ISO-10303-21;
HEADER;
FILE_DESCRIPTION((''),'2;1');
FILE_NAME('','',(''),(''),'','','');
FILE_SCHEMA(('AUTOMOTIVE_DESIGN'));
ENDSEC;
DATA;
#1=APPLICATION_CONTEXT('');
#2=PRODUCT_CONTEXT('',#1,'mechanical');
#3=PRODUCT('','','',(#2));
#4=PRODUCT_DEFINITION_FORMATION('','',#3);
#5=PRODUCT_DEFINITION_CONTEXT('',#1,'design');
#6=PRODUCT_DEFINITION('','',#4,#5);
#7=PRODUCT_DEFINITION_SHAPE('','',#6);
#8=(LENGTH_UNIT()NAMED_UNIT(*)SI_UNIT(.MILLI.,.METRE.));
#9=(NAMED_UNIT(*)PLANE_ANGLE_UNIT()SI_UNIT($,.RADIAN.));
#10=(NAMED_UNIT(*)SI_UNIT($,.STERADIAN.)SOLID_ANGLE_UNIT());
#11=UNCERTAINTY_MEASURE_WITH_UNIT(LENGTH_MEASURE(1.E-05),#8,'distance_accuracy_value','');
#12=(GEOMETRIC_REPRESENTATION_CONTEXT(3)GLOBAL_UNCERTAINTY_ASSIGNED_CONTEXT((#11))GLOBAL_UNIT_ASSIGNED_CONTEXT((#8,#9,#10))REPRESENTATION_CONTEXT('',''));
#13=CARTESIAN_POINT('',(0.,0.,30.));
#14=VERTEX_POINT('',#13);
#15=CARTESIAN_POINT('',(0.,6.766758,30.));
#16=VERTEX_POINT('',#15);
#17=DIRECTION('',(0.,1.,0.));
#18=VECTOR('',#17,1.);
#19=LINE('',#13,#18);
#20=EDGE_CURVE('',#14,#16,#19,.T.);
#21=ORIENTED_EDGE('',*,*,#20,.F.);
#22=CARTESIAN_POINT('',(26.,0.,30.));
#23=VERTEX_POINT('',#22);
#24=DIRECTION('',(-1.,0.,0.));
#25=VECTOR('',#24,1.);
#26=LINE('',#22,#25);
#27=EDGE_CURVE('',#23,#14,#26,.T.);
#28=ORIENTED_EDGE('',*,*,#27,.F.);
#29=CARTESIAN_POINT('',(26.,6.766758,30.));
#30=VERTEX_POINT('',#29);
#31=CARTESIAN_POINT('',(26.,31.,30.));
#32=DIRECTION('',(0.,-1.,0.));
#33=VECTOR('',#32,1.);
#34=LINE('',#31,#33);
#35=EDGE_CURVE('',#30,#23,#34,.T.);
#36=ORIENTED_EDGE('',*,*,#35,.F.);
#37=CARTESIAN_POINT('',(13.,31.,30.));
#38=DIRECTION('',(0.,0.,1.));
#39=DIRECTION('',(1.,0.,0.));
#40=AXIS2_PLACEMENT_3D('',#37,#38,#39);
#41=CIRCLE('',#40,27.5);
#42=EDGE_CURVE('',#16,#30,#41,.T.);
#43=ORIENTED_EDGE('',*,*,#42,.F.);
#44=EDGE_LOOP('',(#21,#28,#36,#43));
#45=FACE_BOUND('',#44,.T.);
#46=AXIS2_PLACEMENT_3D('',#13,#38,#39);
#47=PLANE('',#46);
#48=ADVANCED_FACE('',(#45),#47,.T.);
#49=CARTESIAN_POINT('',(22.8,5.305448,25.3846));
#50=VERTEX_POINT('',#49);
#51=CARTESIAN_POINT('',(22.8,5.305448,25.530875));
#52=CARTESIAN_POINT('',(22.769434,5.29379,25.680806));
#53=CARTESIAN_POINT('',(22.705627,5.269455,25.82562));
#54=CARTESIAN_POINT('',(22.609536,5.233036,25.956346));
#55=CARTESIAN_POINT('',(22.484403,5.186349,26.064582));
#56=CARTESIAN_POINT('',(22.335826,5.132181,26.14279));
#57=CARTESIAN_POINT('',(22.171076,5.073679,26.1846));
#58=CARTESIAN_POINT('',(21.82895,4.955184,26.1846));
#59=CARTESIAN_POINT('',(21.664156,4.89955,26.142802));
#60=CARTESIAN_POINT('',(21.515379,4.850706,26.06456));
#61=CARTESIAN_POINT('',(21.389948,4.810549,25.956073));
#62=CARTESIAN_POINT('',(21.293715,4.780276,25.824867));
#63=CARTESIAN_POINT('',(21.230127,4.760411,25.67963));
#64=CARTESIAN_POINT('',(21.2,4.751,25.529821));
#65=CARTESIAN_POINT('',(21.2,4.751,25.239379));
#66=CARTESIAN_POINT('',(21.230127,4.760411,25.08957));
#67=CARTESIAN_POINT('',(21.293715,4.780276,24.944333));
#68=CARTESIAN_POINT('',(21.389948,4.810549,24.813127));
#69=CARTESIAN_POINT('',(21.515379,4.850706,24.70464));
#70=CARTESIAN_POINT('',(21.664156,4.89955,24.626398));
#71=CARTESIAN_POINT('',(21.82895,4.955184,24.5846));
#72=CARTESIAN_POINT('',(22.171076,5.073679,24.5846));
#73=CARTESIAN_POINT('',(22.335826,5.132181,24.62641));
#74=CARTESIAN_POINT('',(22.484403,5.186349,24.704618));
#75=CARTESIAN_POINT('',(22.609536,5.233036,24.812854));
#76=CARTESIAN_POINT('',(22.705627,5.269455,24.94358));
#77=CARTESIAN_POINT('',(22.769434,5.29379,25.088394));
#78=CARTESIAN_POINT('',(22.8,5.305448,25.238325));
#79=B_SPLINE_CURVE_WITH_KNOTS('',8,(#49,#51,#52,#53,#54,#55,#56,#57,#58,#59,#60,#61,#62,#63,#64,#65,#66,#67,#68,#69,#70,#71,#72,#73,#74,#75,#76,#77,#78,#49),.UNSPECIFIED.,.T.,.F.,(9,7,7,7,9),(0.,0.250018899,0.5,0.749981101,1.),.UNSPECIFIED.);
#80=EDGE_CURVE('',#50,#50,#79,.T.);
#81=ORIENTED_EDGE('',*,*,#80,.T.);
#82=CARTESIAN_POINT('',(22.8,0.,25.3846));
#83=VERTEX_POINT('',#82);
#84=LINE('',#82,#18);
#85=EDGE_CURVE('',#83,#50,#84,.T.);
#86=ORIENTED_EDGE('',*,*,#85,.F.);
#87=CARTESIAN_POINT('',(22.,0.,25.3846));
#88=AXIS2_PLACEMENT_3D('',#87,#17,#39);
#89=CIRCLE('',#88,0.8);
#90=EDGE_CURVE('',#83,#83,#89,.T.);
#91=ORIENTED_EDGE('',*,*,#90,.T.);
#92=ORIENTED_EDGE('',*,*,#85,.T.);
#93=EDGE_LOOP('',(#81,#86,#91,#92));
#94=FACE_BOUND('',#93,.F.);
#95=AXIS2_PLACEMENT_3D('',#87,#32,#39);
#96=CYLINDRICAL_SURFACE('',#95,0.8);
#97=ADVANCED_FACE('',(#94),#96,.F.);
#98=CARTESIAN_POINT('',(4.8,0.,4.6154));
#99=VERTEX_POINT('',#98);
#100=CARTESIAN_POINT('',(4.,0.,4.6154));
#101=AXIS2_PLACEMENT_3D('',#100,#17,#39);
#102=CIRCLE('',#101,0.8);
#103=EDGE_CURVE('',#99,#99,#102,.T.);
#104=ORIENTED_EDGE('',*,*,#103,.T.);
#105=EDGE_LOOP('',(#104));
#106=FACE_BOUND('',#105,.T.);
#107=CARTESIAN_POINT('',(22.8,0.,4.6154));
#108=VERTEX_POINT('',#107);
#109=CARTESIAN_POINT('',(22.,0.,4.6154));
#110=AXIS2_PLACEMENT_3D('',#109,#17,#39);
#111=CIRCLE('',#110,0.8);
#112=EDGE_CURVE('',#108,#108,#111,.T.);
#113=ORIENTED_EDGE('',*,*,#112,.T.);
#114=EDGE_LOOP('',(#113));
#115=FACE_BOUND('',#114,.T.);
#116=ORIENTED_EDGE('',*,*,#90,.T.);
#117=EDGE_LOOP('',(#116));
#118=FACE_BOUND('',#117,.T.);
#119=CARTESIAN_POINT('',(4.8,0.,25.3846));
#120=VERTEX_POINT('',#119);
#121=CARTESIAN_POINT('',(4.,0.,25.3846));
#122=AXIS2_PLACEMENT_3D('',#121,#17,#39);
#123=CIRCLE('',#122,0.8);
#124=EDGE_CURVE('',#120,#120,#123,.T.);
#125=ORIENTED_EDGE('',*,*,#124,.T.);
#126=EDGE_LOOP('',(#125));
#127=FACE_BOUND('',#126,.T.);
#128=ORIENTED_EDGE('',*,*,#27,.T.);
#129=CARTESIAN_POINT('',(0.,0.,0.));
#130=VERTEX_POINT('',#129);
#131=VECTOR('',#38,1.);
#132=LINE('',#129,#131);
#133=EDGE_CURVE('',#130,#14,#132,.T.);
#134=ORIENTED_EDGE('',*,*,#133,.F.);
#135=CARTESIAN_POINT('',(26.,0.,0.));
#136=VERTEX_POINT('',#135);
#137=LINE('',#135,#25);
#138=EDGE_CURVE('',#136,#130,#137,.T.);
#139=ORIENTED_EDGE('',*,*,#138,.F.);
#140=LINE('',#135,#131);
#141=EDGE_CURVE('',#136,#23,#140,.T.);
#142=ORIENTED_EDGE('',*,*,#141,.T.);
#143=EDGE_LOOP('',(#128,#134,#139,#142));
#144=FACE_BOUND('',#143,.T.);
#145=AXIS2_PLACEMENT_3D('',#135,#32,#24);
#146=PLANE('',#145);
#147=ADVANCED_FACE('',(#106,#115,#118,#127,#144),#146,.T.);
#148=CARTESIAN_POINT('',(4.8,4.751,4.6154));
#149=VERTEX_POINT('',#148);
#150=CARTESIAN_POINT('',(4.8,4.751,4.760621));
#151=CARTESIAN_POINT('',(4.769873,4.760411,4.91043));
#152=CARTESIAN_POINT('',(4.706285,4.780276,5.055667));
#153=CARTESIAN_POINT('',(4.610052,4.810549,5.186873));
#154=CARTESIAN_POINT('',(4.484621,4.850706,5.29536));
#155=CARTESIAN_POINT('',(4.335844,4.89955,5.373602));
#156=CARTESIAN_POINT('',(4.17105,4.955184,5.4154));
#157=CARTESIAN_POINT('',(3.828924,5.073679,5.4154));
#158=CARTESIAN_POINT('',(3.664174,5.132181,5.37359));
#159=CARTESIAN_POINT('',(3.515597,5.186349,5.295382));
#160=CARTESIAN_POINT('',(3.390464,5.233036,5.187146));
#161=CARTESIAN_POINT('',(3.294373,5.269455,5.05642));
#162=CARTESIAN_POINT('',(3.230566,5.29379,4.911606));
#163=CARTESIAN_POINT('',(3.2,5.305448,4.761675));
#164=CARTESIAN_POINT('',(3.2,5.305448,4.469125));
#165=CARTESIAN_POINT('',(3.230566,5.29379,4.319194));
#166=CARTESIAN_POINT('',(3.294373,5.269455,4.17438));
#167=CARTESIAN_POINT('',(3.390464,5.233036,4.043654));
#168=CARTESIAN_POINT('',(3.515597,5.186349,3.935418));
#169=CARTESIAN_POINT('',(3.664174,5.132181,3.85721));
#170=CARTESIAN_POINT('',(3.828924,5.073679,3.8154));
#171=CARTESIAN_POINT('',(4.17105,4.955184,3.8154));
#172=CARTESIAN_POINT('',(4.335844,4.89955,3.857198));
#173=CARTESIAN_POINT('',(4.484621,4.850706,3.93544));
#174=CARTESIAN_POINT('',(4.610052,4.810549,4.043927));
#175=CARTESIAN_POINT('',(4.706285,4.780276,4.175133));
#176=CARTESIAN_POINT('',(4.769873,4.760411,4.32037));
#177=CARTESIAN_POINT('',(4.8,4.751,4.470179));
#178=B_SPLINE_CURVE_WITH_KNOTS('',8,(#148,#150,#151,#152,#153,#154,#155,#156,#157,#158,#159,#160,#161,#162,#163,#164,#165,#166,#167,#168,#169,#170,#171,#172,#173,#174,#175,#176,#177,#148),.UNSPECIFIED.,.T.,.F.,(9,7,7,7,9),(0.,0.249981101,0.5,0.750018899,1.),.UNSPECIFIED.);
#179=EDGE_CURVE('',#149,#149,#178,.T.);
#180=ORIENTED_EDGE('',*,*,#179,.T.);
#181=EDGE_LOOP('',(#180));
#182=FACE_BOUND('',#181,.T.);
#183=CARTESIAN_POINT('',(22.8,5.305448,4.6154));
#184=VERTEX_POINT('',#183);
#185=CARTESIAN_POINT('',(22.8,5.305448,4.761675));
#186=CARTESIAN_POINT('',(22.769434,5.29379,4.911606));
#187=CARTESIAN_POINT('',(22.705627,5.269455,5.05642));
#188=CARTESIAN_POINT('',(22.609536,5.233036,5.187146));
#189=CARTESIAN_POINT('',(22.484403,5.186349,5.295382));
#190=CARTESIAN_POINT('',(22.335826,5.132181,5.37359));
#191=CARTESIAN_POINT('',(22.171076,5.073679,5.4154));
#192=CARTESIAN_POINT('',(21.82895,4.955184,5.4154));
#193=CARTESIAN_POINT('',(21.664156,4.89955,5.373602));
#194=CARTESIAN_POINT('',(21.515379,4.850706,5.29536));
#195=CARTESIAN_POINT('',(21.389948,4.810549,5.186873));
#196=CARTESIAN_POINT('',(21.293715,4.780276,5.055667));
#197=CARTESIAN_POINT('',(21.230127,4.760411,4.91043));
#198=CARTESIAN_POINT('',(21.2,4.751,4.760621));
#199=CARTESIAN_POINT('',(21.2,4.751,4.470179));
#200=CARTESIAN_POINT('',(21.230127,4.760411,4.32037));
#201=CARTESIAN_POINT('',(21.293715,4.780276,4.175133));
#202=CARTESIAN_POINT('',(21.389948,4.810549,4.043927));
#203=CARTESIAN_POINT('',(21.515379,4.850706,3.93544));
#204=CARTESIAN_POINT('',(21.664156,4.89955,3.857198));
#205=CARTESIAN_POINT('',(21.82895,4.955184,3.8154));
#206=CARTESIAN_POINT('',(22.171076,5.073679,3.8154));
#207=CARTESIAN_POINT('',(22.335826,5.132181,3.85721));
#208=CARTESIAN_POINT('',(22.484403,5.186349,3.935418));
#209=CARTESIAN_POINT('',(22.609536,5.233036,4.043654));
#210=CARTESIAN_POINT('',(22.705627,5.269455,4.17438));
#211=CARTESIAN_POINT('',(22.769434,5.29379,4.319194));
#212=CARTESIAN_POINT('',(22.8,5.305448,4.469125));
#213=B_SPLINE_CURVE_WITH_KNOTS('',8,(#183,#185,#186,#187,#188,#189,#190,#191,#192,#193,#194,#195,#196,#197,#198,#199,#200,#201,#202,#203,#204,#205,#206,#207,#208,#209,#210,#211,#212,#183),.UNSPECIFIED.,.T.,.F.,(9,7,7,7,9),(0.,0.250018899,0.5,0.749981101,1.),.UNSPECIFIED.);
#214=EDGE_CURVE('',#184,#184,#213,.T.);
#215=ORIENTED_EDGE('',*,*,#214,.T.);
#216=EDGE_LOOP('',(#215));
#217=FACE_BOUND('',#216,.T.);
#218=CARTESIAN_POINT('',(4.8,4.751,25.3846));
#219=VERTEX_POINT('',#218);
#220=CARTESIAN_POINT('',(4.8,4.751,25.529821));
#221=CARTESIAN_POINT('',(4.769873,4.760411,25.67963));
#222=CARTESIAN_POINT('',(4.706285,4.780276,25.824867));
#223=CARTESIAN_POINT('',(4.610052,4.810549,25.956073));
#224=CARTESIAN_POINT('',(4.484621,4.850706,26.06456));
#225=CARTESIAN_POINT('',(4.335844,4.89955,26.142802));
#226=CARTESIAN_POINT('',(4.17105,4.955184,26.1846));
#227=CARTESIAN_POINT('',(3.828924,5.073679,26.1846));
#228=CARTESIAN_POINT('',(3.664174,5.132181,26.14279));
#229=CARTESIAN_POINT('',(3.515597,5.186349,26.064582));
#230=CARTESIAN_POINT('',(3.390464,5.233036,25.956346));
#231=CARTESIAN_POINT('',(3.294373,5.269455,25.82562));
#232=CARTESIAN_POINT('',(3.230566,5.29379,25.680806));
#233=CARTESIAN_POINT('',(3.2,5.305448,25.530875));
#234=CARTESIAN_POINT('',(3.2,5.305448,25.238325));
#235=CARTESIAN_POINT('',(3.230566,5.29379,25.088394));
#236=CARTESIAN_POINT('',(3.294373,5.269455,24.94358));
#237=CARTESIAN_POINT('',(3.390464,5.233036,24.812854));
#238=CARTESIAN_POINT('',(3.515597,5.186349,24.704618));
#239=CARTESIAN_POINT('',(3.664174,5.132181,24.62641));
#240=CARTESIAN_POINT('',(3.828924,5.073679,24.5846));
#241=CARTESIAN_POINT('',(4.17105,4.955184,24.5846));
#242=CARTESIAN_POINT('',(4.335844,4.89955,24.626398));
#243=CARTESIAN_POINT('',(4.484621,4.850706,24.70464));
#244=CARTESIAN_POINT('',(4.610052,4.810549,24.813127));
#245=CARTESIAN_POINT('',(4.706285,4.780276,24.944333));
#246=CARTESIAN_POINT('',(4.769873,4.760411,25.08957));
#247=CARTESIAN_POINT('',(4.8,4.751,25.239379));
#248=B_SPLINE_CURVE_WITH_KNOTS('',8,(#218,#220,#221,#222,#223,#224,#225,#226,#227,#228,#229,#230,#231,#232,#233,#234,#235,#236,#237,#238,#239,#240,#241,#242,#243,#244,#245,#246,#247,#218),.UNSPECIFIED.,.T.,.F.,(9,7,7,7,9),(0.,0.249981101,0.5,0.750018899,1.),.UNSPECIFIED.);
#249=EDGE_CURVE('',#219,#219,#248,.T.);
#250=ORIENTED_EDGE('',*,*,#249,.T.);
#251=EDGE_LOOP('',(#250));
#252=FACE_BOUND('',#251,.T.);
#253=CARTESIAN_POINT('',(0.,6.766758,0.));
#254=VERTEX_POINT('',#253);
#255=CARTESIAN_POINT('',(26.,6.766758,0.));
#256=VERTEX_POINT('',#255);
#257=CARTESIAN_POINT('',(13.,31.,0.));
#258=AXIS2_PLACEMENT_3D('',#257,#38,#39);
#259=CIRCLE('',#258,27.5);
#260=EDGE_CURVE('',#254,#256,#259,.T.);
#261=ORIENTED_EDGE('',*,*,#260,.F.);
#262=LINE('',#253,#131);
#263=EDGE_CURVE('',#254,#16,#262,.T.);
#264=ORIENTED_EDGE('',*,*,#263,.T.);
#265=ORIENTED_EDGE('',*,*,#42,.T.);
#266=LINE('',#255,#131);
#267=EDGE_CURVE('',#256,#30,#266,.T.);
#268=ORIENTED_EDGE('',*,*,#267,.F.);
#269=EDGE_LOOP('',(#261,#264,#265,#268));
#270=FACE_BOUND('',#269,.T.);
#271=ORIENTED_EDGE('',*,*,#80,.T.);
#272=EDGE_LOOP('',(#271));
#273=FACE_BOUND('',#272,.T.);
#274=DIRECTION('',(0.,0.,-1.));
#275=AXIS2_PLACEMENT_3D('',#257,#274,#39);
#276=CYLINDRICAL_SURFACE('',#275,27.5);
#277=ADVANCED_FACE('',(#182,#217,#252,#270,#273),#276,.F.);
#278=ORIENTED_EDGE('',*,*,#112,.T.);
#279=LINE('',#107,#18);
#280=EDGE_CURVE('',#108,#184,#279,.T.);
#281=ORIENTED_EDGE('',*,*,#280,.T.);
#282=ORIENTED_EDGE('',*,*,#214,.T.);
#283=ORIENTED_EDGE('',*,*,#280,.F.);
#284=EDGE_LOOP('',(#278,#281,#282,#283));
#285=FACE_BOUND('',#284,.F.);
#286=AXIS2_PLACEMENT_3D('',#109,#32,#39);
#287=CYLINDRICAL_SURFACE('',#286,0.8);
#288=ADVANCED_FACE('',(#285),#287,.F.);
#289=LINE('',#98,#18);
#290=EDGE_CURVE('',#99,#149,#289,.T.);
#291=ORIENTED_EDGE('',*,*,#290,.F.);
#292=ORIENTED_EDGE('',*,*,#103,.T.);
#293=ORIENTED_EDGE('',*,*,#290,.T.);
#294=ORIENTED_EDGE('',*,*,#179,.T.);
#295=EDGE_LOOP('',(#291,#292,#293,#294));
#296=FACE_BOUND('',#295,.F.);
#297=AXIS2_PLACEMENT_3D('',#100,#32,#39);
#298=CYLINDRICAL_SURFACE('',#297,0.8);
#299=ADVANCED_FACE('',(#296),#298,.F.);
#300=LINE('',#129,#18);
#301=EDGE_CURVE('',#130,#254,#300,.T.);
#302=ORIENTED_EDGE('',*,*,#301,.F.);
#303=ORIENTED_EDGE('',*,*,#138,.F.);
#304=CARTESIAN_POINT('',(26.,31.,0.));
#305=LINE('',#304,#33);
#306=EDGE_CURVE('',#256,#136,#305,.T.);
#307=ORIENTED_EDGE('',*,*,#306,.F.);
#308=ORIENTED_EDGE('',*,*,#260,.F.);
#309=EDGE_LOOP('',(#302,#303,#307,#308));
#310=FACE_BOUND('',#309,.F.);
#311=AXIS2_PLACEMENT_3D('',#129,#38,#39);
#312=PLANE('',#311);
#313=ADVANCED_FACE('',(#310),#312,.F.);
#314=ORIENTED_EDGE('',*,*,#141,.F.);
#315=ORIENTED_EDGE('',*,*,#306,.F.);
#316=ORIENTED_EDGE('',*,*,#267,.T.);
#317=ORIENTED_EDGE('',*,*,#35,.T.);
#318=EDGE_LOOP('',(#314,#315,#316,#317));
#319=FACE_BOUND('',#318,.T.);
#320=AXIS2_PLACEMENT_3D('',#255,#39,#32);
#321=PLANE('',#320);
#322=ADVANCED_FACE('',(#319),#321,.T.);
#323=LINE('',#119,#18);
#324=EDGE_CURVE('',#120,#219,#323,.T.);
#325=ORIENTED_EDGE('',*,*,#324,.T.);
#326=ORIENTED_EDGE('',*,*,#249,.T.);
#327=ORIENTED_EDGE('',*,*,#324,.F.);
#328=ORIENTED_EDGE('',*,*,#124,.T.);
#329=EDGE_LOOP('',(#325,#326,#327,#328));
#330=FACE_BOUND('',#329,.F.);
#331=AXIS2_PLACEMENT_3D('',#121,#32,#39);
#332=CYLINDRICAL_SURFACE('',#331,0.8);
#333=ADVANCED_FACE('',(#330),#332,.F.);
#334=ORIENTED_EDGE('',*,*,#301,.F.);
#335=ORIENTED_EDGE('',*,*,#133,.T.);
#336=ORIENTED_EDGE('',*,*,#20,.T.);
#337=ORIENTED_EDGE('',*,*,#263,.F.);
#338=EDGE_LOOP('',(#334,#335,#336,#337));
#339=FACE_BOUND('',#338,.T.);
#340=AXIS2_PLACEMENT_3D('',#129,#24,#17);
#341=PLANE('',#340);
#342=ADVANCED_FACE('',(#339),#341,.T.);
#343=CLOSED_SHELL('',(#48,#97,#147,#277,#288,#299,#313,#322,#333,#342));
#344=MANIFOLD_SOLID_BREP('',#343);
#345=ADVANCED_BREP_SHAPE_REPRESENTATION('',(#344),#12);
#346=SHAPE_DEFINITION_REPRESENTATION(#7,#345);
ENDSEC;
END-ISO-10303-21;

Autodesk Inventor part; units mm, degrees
ref_plane "YZ Plane" through (0, 0, 0) normal (1, 0, 0) x (0, 1, 0)
ref_plane "XZ Plane" through (0, 0, 0) normal (0, 1, 0) x (-1, 0, 0)
ref_plane "XY Plane" through (0, 0, 0) normal (0, 0, 1) x (1, 0, 0)
sketch "スケッチ1" plane through (0, 0, 0) normal (0, 0, 1) x (1, 0, 0)
  line L0 (0, 31) -> (26, 31)
  line L1 (26, 31) -> (26, 0)
  line L2 (26, 0) -> (0, 0)
  line L3 (0, 0) -> (0, 31)
  circle A0 centre (13, 31) radius 27.5
  point P0 (26, 6.7668)
  point P1 (0, 6.7668)
  dimension "d0" = 55
  dimension "d1" = 31
  dimension "d3" = 26
extrude "押し出し1" add sketch "スケッチ1" along normal blind 30 contours A0 L1 L2 L3
sketch "スケッチ2" plane through (0, 0, 0) normal (0, -1, 0) x (1, 0, 0)
  line L0 (26, 0) -> (0, 30)
  line L1 (0, 0) -> (26, 30)
  line L2 (22, 4.6154) -> (4, 4.6154)
  line L3 (4, 4.6154) -> (4, 25.3846)
  line L4 (4, 25.3846) -> (22, 25.3846)
  line L5 (22, 25.3846) -> (22, 4.6154)
  line L6 (26, 0) -> (26, 30) projected
  line L7 (26, 0) -> (0, 0) projected
  line L8 (0, 0) -> (0, 32) projected
  circle A0 centre (22, 4.6154) radius 0.8
  circle A1 centre (4, 4.6154) radius 0.8
  circle A2 centre (4, 25.3846) radius 0.8
  circle A3 centre (22, 25.3846) radius 0.8
  dimension "d6" = 4
  dimension "d7" = 1.6
  dimension "d8" = 1.6
  dimension "d9" = 1.6
  dimension "d10" = 1.6
extrude "押し出し2" cut sketch "スケッチ2" against normal through all contours A0 L2 L0 | L0 L5 A0 | L2 A0 L0 | L0 A0 L5 | A3 L5 L1 | L1 L4 A3 | A1 L3 L1 | L1 L2 A1 | L2 L1 A1 | L5 A3 L1 | L1 A3 L4 | L3 A1 L1 | A2 L4 L0 | L0 L3 A2 | A2 L0 L4 | L3 L0 A2
properties part number "toe_back_buf"
